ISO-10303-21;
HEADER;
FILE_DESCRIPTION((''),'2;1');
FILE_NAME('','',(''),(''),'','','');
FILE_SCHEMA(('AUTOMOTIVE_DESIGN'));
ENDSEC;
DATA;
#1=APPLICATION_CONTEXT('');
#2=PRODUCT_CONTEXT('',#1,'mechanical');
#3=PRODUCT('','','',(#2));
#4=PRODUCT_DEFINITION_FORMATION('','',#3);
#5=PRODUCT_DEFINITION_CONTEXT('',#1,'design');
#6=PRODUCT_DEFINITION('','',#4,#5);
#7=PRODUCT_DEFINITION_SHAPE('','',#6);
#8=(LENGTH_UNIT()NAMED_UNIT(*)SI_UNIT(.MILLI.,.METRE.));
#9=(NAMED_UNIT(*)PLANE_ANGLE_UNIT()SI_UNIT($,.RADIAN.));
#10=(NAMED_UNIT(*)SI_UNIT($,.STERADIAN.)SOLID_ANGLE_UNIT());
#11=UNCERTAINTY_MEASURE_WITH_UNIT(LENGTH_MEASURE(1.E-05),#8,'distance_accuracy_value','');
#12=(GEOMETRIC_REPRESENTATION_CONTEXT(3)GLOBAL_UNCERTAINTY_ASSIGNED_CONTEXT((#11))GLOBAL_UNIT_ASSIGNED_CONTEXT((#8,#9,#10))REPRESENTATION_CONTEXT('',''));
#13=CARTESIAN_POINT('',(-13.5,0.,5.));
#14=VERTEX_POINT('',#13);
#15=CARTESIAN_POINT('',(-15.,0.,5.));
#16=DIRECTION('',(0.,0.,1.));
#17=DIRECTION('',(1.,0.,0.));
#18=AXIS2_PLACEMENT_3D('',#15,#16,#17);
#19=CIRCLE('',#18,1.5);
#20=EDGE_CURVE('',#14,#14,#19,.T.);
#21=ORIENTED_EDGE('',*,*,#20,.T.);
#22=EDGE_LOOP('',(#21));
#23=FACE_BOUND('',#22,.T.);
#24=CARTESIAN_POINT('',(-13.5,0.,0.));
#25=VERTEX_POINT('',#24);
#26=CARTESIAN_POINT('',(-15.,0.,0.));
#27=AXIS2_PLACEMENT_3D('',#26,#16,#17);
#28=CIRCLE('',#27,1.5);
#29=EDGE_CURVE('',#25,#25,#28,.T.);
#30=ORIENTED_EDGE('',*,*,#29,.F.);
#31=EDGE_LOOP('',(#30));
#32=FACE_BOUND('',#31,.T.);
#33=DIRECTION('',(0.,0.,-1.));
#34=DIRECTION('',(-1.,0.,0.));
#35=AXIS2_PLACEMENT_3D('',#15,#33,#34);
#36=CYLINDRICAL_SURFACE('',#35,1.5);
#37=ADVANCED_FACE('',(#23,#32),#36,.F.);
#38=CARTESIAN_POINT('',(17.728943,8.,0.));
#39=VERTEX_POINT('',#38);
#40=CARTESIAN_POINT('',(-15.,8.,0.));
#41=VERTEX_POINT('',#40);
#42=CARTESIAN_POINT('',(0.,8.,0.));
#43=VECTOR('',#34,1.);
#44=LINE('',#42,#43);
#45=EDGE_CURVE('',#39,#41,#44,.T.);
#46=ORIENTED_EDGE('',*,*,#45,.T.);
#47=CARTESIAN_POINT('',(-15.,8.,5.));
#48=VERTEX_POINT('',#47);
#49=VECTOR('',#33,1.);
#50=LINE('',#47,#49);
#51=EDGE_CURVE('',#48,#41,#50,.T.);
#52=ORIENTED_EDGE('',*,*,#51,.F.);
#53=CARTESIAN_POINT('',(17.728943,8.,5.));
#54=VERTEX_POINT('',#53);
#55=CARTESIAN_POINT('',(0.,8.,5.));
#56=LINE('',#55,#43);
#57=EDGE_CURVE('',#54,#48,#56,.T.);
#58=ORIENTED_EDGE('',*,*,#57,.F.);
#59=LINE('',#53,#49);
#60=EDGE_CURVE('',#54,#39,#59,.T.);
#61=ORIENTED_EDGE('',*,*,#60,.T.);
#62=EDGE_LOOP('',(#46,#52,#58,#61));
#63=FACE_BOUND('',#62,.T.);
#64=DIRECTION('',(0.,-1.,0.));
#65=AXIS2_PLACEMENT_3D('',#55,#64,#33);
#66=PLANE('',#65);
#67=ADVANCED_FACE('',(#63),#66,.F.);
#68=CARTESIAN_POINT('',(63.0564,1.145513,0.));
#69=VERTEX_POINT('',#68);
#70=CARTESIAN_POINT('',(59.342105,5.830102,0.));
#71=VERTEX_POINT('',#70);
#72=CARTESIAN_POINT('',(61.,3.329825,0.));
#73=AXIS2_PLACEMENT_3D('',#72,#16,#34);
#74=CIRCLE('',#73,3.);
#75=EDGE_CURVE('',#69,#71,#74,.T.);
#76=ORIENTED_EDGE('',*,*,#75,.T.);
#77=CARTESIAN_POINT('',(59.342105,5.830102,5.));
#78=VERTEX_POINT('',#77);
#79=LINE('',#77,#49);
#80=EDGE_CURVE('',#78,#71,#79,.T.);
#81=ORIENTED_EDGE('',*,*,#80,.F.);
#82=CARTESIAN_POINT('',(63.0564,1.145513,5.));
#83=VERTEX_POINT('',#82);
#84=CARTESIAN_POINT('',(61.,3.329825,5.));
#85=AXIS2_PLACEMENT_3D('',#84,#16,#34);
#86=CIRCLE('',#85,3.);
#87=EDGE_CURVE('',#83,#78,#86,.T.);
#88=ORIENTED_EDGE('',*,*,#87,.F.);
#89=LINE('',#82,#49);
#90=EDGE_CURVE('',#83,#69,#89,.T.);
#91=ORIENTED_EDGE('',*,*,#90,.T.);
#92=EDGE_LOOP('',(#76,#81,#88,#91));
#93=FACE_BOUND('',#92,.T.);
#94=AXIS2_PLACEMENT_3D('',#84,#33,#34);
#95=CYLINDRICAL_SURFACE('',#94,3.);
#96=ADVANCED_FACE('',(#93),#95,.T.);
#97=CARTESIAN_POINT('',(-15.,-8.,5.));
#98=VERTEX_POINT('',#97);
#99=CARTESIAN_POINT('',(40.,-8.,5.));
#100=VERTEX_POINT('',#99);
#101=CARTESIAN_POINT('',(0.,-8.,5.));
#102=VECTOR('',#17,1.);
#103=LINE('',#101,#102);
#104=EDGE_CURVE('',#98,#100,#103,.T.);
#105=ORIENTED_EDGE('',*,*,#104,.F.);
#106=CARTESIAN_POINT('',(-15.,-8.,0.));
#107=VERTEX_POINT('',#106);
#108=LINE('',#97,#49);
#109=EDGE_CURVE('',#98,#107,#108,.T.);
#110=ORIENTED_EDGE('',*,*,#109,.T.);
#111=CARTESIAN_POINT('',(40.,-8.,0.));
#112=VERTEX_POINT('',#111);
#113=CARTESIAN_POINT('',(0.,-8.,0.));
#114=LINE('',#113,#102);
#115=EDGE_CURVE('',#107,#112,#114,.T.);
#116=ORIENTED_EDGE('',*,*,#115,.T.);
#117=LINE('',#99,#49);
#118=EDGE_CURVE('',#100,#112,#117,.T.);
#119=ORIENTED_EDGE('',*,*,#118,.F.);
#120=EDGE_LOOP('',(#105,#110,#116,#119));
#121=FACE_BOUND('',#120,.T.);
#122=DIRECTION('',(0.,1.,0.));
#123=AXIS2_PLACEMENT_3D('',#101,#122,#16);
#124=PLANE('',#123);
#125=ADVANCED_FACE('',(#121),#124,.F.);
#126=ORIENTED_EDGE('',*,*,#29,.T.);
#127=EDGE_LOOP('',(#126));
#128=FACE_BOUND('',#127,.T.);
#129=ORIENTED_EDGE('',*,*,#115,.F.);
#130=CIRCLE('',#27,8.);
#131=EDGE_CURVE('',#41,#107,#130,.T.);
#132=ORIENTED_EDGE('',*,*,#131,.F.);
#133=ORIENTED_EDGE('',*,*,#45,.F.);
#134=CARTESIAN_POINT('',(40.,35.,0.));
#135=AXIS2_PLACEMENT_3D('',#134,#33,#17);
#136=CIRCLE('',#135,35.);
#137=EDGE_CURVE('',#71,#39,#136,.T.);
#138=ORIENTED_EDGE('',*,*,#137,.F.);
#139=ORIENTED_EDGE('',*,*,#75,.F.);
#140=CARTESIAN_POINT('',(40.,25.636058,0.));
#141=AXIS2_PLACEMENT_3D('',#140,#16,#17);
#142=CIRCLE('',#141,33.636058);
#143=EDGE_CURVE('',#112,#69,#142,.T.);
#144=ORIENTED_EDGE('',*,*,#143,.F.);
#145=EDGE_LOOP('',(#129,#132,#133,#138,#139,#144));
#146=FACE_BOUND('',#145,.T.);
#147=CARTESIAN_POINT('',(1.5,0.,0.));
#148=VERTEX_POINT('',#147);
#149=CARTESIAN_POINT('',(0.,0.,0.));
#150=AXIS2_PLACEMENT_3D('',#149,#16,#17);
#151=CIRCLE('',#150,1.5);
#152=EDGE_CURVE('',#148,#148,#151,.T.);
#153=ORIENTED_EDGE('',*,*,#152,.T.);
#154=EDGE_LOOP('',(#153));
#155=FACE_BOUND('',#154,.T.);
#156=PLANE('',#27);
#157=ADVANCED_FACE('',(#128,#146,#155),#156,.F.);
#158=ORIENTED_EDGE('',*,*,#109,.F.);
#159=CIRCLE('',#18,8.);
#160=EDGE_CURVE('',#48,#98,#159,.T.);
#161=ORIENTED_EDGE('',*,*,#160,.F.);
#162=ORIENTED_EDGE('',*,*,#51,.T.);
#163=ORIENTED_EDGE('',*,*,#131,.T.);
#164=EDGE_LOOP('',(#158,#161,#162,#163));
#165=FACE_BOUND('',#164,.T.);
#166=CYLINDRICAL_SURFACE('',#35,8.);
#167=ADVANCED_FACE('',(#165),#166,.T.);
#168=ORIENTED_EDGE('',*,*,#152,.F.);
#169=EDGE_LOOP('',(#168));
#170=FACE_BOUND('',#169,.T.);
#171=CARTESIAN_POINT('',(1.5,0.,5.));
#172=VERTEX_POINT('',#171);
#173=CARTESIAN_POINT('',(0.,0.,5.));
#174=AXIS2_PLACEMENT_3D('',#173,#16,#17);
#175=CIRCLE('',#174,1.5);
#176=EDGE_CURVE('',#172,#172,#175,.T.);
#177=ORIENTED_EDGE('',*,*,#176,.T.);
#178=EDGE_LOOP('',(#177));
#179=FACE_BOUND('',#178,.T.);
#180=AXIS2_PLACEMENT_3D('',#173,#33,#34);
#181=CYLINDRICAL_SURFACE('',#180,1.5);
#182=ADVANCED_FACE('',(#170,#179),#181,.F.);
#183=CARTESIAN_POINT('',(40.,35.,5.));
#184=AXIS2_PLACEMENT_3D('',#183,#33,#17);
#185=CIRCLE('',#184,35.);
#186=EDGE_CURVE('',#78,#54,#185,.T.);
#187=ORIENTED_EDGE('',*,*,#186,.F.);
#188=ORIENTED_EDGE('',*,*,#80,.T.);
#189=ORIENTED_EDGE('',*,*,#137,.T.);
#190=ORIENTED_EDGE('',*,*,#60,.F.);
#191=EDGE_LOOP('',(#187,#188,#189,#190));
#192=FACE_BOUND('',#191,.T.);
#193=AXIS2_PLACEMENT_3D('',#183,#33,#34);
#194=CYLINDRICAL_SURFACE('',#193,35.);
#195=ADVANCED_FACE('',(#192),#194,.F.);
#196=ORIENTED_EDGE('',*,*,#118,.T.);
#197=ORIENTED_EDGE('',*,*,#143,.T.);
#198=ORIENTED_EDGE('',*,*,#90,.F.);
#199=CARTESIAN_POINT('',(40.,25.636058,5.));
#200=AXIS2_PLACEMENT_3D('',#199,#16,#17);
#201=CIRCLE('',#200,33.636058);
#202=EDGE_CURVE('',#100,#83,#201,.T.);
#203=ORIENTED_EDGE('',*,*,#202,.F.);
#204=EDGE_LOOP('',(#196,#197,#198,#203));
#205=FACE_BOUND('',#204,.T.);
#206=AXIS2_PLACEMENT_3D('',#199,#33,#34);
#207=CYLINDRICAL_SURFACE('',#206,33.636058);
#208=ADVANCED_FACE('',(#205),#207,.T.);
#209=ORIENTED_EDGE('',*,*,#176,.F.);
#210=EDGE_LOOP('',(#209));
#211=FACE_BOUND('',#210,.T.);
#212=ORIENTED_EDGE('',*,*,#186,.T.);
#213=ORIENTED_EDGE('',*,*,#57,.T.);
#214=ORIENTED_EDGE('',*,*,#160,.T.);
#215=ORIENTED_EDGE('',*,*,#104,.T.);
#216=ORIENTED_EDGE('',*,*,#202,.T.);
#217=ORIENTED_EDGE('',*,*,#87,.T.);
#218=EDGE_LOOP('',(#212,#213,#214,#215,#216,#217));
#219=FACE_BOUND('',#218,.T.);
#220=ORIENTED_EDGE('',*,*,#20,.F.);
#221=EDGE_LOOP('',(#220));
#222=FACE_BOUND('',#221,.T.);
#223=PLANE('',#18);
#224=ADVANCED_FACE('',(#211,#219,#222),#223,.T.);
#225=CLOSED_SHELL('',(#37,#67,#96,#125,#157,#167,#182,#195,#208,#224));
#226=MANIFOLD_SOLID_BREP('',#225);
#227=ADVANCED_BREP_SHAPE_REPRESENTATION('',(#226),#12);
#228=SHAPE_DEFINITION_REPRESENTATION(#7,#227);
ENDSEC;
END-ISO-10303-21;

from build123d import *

# Parameters (mm, degrees)
ESQUISSE1_R        = 1.5
BOSS_EXTRU_1_DEPTH = 5


with BuildPart() as part:
    # Esquisse1 → Boss.-Extru.1 (new body)
    with BuildSketch(Plane.XY):
        with BuildLine():
            Line((0, 8), (17.728942549, 8))
            ThreePointArc((17.728942549, 8), (38.177418085, 0.047486569), (59.342105263, 5.830101749))
            ThreePointArc((59.342105263, 5.830101749), (63.350754016, 5.193679781), (63.05640037, 1.145513075))
            ThreePointArc((63.05640037, 1.145513075), (52.401995882, -5.630136101), (40, -8))
            Line((40, -8), (0, -8))
            Line((0, -8), (-15, -8))
            ThreePointArc((-15, -8), (-23, 0), (-15, 8))
            Line((-15, 8), (0, 8))
        make_face()
        Circle(ESQUISSE1_R, mode=Mode.SUBTRACT)
        with Locations((-15, 0)):
            Circle(ESQUISSE1_R, mode=Mode.SUBTRACT)
    extrude(amount=BOSS_EXTRU_1_DEPTH)


solid = part.part
